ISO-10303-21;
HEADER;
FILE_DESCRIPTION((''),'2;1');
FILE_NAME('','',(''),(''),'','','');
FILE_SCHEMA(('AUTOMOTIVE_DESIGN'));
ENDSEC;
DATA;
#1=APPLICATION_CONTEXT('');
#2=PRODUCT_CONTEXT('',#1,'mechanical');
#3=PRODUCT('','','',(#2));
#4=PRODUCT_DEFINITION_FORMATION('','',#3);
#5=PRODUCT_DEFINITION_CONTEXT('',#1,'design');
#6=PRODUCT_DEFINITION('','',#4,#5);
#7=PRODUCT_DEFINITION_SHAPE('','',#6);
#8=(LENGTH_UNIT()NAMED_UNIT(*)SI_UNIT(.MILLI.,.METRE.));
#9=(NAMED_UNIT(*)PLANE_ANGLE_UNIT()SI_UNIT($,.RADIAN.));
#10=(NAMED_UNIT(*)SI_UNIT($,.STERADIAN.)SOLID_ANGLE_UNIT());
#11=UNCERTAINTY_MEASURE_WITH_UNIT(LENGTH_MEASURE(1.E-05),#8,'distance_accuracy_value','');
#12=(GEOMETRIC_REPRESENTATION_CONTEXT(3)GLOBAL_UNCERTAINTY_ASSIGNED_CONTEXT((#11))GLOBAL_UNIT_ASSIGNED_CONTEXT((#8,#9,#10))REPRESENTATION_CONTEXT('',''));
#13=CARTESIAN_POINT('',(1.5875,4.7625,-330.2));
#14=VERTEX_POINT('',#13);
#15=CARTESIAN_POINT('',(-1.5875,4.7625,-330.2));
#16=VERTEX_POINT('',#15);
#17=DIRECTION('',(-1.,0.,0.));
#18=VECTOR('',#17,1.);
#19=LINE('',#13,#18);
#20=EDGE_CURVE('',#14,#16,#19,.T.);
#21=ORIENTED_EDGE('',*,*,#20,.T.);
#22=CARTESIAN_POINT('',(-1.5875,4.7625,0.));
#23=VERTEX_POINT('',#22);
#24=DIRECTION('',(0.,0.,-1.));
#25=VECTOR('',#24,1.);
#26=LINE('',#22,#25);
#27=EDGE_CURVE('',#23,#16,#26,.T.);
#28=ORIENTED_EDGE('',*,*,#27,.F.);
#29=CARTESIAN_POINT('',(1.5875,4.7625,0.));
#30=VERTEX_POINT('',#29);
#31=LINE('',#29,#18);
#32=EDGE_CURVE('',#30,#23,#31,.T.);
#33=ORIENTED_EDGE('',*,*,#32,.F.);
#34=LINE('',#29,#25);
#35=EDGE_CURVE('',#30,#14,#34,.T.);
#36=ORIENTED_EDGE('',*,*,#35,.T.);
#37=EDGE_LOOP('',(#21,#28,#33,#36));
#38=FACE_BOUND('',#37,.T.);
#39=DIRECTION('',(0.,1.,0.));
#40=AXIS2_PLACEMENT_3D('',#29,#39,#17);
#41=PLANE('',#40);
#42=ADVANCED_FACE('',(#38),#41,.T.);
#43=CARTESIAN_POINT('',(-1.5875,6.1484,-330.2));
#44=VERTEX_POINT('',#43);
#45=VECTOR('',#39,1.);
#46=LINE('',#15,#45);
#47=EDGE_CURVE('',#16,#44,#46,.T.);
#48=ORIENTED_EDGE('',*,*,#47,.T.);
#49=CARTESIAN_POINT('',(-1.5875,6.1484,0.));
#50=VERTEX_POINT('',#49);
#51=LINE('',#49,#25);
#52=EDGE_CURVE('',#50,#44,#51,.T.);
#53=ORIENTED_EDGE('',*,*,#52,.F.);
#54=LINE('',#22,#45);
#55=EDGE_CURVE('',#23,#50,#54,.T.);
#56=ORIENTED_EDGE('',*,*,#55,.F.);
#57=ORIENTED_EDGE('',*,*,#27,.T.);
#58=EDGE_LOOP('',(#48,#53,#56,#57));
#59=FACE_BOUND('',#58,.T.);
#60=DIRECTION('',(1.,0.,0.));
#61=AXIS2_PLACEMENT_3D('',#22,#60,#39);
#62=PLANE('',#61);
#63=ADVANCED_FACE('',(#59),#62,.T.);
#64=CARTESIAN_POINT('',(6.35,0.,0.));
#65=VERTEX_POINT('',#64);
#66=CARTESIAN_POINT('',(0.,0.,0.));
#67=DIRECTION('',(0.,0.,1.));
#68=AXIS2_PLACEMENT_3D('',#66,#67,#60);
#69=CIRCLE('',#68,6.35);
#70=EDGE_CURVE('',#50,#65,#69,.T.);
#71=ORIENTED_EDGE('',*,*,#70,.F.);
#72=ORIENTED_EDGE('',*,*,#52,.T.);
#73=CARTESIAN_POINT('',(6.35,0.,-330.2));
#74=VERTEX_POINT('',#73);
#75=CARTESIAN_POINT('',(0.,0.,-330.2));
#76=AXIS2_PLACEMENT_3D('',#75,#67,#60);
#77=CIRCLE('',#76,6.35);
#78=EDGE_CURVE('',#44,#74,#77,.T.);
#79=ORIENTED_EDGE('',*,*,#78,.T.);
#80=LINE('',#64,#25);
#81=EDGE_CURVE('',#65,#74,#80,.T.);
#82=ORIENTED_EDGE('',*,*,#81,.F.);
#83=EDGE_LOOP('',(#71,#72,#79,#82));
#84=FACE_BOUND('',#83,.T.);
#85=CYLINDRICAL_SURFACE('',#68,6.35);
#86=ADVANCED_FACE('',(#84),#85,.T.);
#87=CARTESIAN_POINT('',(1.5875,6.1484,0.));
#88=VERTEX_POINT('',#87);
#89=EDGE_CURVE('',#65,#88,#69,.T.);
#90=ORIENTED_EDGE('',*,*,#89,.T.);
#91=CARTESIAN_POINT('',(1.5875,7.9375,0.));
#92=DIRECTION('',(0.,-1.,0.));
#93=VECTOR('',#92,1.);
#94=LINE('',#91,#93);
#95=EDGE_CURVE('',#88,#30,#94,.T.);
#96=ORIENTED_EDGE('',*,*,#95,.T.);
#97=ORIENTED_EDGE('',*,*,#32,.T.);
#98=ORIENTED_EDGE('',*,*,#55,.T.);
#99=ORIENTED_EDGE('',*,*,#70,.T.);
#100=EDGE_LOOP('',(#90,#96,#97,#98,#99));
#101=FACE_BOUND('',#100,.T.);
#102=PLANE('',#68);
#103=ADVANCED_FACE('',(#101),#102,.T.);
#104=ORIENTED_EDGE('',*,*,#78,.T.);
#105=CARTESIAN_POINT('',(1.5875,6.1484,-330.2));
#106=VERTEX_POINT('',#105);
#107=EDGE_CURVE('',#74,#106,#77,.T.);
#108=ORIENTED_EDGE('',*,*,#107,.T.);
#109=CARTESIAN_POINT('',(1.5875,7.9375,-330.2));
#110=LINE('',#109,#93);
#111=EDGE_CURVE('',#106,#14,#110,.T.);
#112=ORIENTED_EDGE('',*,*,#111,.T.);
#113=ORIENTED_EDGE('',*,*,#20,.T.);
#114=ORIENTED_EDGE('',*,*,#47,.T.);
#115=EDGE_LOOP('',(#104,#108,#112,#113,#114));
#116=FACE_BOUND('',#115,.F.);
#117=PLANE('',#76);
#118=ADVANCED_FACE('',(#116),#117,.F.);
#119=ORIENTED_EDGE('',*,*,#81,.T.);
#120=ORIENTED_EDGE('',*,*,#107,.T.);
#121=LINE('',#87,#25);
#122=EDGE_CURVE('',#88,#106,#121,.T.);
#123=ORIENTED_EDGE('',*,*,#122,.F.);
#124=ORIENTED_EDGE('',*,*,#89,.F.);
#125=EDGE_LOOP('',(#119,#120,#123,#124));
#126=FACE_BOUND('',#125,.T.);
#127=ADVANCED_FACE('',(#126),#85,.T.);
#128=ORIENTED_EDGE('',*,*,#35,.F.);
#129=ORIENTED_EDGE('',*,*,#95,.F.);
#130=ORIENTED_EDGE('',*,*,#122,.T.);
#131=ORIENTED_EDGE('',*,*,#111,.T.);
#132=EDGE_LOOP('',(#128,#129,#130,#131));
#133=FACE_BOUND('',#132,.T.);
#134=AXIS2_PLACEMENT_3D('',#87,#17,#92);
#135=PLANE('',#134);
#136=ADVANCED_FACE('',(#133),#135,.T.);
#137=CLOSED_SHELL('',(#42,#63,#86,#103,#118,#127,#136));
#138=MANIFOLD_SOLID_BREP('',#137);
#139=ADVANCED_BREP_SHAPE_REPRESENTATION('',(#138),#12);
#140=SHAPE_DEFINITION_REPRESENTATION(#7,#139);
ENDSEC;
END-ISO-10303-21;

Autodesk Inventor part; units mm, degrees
ref_plane "YZ Plane" through (0, 0, 0) normal (1, 0, 0) x (0, 1, 0)
ref_plane "XZ Plane" through (0, 0, 0) normal (0, 1, 0) x (-1, 0, 0)
ref_plane "XY Plane" through (0, 0, 0) normal (0, 0, 1) x (1, 0, 0)
sketch "Sketch1" plane through (0, 0, 0) normal (0, 0, 1) x (1, 0, 0)
  circle A0 centre (0, 0) radius 6.35
  line L0 (-1.5875, 7.9375) -> (1.5875, 7.9375)
  line L1 (1.5875, 7.9375) -> (1.5875, 4.7625)
  line L2 (1.5875, 4.7625) -> (-1.5875, 4.7625)
  line L3 (-1.5875, 4.7625) -> (-1.5875, 7.9375)
  line L4 (1.5875, 4.7625) -> (1.5875, 6.1484)
  line L5 (-1.5875, 4.7625) -> (-1.5875, 6.1484)
  line L6 (1.5875, 4.7625) -> (-1.5875, 4.7625)
  point P0 (0, 4.7625)
  dimension "d0" = 12.7
  dimension "d1" = 3.175
  dimension "d2" = 3.175
  dimension "d3" = 4.7625
extrude "Extrusion1" add sketch "Sketch1" against normal blind 330.2 contours A0 L3 L2 L1 picked at (0.1781, 1.0658)
properties part number "13 in axle"
